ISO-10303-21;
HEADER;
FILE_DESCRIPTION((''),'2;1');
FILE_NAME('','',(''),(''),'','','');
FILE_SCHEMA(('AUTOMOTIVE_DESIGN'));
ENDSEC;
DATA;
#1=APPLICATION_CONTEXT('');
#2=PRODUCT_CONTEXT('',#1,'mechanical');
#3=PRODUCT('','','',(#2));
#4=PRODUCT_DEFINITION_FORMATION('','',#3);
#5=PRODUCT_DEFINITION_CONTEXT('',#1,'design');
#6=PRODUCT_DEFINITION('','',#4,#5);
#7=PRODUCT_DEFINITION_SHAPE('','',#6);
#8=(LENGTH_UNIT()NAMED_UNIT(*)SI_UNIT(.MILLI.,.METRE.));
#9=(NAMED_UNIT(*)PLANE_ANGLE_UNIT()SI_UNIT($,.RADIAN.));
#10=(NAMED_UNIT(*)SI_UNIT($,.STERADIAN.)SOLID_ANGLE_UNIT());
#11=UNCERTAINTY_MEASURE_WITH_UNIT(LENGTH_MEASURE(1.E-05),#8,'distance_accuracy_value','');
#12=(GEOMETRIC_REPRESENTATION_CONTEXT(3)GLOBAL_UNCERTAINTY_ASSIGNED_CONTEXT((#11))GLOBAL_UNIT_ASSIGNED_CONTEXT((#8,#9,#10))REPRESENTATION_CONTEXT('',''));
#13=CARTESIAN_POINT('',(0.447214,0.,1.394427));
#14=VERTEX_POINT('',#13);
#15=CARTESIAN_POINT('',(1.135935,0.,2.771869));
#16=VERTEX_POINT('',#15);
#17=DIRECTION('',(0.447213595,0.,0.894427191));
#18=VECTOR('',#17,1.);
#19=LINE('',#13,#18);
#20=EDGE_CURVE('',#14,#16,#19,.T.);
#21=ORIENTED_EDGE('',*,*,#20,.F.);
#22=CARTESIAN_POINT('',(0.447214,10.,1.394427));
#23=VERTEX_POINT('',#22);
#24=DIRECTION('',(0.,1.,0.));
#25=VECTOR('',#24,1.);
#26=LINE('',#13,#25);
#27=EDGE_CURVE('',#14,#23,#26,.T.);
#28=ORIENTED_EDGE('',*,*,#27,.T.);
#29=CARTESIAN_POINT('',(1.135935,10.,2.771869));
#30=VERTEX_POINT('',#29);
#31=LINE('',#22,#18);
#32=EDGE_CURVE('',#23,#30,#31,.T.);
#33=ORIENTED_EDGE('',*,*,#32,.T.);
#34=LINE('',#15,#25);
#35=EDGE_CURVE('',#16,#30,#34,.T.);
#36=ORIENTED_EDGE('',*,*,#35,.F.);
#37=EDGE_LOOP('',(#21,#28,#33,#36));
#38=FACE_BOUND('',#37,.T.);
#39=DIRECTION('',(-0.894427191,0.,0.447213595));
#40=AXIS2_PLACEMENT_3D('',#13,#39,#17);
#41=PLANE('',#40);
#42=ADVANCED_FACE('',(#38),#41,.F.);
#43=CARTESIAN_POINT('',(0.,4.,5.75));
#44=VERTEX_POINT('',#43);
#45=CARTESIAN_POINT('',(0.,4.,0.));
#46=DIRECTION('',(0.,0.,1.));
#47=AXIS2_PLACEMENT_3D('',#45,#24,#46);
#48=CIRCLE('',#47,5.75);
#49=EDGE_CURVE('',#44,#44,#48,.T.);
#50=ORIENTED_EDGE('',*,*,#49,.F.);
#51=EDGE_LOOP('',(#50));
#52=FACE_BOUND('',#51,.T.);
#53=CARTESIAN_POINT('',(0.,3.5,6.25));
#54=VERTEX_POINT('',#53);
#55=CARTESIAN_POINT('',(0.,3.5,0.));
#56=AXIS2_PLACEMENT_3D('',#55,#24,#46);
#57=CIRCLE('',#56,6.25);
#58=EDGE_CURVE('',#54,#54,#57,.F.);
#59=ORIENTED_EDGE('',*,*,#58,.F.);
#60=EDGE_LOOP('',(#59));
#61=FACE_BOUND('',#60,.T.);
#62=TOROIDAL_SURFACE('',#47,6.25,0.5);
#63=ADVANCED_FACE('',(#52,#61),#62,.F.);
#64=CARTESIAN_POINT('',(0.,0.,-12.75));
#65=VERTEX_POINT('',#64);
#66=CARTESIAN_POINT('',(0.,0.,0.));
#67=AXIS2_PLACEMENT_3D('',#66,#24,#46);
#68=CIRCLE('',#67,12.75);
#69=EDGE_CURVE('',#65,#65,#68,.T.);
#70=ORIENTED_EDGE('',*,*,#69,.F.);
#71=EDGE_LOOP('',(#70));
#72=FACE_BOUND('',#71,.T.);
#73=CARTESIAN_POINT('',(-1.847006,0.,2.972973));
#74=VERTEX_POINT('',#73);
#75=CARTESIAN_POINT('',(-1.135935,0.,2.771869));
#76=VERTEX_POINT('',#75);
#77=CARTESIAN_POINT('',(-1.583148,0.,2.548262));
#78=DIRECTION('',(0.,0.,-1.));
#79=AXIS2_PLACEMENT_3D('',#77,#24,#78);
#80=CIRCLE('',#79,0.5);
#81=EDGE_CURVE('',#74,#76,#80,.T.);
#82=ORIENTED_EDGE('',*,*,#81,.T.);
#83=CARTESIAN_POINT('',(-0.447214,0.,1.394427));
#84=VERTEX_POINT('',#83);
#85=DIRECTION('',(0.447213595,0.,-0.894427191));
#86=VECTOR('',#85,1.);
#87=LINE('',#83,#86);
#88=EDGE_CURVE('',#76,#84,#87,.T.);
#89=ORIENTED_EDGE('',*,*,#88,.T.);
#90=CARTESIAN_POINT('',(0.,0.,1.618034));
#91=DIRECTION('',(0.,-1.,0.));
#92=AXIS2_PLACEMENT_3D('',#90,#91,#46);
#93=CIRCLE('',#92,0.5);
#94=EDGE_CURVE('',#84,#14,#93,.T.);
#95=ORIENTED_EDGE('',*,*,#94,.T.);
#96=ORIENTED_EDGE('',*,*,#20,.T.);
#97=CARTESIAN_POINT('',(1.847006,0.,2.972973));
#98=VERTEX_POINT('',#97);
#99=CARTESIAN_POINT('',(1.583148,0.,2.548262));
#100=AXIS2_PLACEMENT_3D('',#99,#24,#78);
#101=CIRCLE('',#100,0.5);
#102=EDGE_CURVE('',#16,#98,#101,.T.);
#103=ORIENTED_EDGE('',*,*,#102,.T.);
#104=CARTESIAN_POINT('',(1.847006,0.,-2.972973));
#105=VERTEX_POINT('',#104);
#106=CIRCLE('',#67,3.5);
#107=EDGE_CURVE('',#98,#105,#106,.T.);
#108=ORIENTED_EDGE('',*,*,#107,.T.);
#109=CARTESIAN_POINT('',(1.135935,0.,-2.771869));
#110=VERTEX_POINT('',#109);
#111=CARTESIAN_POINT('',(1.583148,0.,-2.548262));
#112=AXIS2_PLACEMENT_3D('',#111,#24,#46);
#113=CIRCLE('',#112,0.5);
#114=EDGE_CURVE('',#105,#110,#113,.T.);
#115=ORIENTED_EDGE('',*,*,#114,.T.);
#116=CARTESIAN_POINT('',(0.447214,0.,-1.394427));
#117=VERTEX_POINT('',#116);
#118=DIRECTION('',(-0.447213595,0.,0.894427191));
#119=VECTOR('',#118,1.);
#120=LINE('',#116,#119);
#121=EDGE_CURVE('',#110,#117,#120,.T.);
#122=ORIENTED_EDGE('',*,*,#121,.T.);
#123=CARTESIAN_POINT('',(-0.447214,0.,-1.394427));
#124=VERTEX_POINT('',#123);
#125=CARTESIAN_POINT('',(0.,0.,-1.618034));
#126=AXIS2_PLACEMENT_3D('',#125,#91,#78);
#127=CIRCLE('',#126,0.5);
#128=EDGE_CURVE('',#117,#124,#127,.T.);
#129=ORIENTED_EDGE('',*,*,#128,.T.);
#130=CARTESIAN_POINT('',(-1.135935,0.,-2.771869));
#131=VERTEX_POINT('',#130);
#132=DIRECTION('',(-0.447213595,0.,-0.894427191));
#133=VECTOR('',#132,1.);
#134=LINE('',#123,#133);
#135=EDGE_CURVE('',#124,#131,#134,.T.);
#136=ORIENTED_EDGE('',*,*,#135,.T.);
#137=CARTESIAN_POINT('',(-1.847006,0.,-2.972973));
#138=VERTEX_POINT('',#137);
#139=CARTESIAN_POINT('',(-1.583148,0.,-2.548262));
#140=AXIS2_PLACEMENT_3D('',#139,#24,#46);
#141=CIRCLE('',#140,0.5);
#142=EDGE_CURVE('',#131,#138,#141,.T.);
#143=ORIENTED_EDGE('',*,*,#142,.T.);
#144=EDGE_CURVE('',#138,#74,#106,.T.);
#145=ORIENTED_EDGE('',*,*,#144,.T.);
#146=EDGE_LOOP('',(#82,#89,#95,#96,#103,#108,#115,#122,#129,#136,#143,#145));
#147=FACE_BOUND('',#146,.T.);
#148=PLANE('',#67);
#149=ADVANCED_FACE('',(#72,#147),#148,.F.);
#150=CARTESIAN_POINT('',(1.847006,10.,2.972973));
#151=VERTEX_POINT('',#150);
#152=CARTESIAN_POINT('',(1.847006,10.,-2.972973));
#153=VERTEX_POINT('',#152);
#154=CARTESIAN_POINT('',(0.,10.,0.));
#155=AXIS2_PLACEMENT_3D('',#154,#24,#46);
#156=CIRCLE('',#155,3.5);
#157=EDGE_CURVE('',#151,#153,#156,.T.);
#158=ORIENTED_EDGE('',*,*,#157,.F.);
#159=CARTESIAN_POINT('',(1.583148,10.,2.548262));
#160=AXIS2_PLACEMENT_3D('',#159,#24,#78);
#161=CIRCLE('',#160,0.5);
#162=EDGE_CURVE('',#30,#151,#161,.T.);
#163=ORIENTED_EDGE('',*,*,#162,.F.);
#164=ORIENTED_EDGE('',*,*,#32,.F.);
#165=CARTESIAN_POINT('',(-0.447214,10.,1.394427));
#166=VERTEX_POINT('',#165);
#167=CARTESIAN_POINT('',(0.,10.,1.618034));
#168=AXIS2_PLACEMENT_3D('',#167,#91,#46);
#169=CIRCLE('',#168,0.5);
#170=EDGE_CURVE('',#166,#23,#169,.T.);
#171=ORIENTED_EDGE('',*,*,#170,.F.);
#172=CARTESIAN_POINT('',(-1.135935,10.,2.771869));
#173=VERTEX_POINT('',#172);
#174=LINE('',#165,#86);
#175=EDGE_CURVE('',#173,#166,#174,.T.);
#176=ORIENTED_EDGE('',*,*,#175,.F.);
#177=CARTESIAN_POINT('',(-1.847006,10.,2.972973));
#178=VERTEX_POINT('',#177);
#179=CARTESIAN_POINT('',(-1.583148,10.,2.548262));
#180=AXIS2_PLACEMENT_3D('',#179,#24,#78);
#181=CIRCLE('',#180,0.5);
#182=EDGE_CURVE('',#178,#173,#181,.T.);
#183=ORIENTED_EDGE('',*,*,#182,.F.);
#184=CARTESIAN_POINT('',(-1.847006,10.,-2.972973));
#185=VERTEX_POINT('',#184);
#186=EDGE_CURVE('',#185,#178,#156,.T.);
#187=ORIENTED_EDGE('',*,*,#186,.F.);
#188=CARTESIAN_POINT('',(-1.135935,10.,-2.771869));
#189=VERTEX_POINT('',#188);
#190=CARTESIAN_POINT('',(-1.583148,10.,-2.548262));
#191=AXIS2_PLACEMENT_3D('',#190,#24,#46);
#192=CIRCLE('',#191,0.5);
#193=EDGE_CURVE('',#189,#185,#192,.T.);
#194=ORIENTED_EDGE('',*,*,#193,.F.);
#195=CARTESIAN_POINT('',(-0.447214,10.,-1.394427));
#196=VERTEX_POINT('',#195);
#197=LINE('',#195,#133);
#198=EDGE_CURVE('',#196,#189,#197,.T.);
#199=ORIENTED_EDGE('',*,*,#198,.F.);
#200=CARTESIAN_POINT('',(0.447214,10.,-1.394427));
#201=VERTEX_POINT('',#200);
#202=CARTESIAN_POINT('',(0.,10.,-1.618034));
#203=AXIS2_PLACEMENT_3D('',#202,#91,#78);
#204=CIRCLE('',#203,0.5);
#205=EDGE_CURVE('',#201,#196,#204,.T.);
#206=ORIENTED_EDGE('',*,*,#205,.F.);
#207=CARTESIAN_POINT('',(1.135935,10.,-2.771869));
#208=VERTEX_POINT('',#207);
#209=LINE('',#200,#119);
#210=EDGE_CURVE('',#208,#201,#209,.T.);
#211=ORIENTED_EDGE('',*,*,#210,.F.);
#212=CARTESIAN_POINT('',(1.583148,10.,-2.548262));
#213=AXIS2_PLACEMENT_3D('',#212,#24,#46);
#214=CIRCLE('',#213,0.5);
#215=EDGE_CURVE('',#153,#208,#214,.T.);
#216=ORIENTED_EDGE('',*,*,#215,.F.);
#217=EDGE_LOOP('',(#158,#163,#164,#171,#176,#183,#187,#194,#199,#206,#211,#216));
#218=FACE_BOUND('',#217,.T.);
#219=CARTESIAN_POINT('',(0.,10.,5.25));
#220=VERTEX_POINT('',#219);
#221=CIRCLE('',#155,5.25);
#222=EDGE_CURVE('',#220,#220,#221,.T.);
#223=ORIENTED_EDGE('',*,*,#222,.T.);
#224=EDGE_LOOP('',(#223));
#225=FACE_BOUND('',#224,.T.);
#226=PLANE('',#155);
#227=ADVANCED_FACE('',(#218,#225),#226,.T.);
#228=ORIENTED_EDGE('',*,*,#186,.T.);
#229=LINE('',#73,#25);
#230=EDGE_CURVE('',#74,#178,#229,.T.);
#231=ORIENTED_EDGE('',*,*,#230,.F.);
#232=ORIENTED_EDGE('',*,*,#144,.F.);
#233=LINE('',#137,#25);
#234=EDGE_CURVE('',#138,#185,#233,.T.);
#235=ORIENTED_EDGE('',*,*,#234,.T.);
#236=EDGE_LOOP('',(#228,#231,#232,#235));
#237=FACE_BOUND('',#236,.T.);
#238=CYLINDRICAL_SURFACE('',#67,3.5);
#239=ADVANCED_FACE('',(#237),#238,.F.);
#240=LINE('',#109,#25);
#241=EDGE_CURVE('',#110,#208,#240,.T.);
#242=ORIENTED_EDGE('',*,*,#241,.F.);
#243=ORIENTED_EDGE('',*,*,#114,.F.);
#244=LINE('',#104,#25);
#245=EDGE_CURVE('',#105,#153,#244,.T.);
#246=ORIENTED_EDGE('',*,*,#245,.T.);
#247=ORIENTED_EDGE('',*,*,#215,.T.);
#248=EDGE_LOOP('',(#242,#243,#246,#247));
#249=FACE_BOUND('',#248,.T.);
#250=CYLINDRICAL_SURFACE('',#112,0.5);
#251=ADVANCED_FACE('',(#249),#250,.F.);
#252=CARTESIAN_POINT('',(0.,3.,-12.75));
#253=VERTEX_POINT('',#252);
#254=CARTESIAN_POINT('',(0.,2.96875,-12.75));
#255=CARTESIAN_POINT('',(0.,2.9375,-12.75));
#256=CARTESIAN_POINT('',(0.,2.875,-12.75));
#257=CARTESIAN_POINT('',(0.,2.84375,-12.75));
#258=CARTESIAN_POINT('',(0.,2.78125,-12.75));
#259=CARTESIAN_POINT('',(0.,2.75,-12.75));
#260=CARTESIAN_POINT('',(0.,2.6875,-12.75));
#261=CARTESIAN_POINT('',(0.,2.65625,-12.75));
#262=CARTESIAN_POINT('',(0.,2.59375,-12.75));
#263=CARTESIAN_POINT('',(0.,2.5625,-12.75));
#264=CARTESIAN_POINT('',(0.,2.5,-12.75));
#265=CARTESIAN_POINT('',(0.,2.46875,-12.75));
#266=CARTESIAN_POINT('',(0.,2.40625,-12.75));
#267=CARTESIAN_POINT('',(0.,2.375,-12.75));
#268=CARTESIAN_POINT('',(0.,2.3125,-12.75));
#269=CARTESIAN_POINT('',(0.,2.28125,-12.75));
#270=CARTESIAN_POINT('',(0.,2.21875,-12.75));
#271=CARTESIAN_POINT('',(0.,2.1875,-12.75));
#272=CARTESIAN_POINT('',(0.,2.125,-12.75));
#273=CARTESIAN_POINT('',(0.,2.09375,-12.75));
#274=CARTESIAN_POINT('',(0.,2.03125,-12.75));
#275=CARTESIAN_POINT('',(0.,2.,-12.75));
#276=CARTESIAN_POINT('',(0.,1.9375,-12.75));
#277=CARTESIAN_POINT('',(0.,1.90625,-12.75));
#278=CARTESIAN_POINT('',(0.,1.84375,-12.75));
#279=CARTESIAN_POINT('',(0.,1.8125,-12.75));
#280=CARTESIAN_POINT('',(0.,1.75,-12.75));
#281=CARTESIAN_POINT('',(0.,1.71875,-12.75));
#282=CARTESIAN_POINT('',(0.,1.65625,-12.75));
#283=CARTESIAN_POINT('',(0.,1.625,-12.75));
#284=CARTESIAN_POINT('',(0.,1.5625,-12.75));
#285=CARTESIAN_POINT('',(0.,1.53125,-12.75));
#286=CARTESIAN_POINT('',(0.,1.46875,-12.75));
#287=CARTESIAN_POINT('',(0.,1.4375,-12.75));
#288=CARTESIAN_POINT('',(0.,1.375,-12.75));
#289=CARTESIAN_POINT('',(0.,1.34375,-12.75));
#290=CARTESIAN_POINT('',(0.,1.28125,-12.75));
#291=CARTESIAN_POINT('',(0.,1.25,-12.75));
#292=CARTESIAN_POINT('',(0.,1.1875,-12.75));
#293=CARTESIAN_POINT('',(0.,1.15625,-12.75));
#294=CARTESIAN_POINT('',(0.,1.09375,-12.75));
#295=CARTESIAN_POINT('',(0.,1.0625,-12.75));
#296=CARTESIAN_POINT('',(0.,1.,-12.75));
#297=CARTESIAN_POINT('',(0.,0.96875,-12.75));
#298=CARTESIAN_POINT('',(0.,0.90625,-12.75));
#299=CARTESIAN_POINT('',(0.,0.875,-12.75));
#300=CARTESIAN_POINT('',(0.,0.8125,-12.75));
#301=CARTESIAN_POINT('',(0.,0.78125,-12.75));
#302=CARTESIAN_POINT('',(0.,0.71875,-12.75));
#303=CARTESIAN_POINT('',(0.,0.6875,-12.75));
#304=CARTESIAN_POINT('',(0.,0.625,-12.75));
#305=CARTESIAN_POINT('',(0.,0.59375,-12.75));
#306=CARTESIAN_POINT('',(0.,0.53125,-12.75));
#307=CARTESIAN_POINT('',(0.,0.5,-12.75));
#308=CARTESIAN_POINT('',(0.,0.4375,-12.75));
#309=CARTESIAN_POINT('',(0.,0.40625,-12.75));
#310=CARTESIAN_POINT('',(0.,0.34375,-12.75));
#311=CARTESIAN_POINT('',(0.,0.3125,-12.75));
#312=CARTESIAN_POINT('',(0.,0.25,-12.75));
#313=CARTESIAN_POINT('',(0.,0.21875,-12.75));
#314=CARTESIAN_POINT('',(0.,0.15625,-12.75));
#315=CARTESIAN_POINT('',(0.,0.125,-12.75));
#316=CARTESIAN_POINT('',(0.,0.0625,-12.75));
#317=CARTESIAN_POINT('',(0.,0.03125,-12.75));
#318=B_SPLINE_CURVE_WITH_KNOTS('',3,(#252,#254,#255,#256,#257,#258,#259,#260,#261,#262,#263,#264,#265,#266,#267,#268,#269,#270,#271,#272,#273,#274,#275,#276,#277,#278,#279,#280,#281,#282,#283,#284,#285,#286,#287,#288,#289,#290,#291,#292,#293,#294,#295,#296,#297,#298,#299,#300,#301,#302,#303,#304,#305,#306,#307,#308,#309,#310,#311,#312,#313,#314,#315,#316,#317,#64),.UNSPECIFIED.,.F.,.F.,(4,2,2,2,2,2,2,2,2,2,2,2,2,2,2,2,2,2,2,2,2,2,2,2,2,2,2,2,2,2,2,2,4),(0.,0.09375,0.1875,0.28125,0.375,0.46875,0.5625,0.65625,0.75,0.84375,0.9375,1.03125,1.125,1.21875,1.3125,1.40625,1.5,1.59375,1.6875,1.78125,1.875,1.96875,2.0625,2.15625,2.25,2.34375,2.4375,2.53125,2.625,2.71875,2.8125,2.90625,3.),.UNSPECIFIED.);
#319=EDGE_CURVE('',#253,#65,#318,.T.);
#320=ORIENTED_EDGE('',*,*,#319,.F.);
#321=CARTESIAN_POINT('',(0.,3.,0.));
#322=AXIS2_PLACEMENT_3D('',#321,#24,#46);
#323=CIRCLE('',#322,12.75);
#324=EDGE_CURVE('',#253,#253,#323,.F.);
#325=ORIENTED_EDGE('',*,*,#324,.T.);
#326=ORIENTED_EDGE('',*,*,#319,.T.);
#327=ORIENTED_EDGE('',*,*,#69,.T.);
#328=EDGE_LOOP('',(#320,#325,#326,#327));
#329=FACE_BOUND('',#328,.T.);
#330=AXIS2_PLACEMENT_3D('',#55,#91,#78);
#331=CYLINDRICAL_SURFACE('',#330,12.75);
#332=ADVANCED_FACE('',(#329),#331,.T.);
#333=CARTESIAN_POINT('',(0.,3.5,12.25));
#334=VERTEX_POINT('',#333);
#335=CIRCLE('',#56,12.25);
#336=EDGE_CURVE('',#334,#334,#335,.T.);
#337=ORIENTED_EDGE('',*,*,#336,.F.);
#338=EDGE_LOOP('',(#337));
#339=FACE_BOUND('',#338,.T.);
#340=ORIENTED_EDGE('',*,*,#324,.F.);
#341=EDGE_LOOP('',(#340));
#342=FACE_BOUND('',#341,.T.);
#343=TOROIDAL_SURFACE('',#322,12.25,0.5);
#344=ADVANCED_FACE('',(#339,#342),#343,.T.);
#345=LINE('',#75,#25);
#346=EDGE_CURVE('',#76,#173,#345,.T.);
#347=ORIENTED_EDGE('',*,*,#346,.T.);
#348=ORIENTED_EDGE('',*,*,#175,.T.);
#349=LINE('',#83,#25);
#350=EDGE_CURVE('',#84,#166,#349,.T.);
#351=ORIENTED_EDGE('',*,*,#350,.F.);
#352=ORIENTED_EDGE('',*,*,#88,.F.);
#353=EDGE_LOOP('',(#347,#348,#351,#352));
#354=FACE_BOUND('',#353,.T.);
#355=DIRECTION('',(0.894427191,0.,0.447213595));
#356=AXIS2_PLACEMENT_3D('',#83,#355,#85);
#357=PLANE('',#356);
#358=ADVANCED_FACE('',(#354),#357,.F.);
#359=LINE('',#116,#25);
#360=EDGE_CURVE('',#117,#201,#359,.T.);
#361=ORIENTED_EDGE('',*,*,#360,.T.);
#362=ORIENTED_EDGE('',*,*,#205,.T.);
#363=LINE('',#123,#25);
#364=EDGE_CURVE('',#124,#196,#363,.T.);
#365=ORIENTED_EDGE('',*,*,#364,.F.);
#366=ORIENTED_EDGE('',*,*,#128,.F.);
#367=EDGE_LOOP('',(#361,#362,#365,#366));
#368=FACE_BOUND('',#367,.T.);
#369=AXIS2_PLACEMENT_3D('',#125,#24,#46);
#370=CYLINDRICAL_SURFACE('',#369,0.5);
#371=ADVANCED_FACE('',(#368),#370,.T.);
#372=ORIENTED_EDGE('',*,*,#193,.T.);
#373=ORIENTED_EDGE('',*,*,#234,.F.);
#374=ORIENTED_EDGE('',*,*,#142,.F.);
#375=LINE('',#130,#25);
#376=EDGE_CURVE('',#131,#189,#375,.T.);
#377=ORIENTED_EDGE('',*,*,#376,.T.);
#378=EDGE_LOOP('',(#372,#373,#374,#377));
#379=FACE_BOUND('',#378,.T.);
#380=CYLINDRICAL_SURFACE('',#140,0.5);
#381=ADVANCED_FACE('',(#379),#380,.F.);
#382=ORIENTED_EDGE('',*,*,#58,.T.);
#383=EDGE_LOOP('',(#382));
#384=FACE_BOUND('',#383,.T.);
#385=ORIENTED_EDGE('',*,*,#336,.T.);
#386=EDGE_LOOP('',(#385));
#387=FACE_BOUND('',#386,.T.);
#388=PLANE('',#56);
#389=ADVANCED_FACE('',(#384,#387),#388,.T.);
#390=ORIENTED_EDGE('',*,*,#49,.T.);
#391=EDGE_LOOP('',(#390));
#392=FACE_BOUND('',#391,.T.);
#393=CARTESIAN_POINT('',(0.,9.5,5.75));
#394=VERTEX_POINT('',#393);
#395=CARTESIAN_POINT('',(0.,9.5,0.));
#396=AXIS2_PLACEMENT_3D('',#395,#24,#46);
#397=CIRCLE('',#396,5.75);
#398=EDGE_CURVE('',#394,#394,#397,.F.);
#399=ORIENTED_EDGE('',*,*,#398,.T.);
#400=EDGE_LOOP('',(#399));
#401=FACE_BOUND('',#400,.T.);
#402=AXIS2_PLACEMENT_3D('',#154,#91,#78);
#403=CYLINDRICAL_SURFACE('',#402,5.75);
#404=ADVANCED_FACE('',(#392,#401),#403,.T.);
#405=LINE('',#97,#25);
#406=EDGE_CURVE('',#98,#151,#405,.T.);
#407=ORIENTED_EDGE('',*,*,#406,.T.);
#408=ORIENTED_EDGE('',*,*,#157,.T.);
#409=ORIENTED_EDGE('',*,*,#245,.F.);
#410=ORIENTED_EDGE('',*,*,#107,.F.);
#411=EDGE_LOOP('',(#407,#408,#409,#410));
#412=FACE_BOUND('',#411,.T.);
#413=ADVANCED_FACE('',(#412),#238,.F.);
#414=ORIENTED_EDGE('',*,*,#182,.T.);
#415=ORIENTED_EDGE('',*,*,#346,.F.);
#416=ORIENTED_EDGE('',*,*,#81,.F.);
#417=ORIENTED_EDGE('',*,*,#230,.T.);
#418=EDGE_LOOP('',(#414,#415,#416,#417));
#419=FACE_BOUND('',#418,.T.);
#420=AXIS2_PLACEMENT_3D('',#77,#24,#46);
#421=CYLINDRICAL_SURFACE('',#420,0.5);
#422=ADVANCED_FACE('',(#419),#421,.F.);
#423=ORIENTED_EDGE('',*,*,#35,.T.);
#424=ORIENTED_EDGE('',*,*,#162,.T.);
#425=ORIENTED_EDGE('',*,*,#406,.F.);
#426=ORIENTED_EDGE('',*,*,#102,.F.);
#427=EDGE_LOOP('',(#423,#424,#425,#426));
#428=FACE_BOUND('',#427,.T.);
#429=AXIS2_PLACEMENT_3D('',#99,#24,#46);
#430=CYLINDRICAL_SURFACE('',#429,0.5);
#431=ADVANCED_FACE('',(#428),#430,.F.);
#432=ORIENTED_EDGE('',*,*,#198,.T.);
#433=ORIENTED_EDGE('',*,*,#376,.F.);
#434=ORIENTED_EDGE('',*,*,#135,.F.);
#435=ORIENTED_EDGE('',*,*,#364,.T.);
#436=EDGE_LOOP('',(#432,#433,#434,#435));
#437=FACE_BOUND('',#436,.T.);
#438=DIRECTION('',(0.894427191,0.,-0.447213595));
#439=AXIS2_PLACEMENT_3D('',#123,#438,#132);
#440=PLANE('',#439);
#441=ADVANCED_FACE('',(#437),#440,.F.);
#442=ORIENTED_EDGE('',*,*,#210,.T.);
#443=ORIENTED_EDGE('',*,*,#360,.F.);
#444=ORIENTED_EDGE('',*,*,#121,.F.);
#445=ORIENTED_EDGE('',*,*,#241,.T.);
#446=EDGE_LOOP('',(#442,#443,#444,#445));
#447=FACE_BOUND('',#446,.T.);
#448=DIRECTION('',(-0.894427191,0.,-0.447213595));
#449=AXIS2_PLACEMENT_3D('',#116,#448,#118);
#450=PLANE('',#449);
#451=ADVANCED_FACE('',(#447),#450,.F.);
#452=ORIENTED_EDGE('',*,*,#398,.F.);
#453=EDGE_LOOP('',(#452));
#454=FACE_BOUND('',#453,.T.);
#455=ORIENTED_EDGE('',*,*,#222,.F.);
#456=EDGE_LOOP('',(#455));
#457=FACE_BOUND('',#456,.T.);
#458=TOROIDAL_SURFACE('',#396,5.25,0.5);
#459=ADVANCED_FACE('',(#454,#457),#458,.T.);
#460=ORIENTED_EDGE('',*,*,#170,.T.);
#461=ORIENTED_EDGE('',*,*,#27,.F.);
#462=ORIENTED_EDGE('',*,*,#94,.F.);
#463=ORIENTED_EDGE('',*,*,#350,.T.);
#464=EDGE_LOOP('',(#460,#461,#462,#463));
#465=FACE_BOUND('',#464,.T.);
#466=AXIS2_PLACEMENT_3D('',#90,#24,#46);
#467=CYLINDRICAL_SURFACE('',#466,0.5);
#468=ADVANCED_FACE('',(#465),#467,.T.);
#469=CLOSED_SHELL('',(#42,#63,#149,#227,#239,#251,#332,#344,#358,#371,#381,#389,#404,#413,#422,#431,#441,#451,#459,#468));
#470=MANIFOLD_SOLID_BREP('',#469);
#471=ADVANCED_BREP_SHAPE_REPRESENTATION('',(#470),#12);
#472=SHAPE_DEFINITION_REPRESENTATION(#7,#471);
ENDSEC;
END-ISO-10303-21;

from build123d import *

# Parameters (mm, degrees)
SKETCH1_R           = 12.75
BOSS_EXTRUDE2_DEPTH = 3.5
SKETCH2_R           = 5.75
BOSS_EXTRUDE3_DEPTH = 6.5
CUT_EXTRUDE1_DEPTH  = 10
FILLET3_R           = 0.5
FILLET4_R           = 0.5


with BuildPart() as part:
    # Sketch1 → Boss-Extrude2 (new body)
    with BuildSketch(Plane(origin=(0, 0, 0), x_dir=(1, 0, 0), z_dir=(0, 1, 0))):
        with Locations(Location((0, 0, 0), (0, 0, 90))):
            Circle(SKETCH1_R)
    extrude(amount=BOSS_EXTRUDE2_DEPTH)

    # Sketch2 → Boss-Extrude3 (add)
    with BuildSketch(Plane(origin=(0, 3.5, 0), x_dir=(1, 0, 0), z_dir=(0, 1, 0))):
        with Locations(Location((0, 0, 0), (0, 0, 270))):
            Circle(SKETCH2_R)
    extrude(amount=BOSS_EXTRUDE3_DEPTH)

    # Sketch3 → Cut-Extrude1 (cut)
    with BuildSketch(Plane(origin=(0, 10, 0), x_dir=(1, 0, 0), z_dir=(0, 1, 0))):
        with BuildLine():
            Line((-0.447213595, 1.394427191), (-1.135934639, 2.771869278))
            ThreePointArc((-1.135934639, 2.771869278), (-1.447076632, 3.029390861), (-1.847006274, 2.972972894))
            ThreePointArc((-1.847006274, 2.972972894), (-3.5, 0), (-1.847006274, -2.972972894))
            ThreePointArc((-1.847006274, -2.972972894), (-1.447076632, -3.029390861), (-1.135934639, -2.771869278))
            Line((-1.135934639, -2.771869278), (-0.447213595, -1.394427191))
            ThreePointArc((-0.447213595, -1.394427191), (0, -1.118033989), (0.447213595, -1.394427191))
            Line((0.447213595, -1.394427191), (1.135934639, -2.771869278))
            ThreePointArc((1.135934639, -2.771869278), (1.447076632, -3.029390861), (1.847006274, -2.972972894))
            ThreePointArc((1.847006274, -2.972972894), (3.5, 0), (1.847006274, 2.972972894))
            ThreePointArc((1.847006274, 2.972972894), (1.447076632, 3.029390861), (1.135934639, 2.771869278))
            Line((1.135934639, 2.771869278), (0.447213595, 1.394427191))
            ThreePointArc((0.447213595, 1.394427191), (0, 1.118033989), (-0.447213595, 1.394427191))
        make_face()
    extrude(amount=-CUT_EXTRUDE1_DEPTH, mode=Mode.SUBTRACT)

    # Fillet3
    fillet3_edges = [part.edges().sort_by_distance(p)[0] for p in [
        (0, 3.5, 12.75),
        (0, 3.5, -5.75),
    ]]
    fillet(fillet3_edges, radius=FILLET3_R)

    # Fillet4
    fillet4_edges = [part.edges().sort_by_distance(p)[0] for p in [
        (0, 10, -5.75),
    ]]
    fillet(fillet4_edges, radius=FILLET4_R)


solid = part.part
